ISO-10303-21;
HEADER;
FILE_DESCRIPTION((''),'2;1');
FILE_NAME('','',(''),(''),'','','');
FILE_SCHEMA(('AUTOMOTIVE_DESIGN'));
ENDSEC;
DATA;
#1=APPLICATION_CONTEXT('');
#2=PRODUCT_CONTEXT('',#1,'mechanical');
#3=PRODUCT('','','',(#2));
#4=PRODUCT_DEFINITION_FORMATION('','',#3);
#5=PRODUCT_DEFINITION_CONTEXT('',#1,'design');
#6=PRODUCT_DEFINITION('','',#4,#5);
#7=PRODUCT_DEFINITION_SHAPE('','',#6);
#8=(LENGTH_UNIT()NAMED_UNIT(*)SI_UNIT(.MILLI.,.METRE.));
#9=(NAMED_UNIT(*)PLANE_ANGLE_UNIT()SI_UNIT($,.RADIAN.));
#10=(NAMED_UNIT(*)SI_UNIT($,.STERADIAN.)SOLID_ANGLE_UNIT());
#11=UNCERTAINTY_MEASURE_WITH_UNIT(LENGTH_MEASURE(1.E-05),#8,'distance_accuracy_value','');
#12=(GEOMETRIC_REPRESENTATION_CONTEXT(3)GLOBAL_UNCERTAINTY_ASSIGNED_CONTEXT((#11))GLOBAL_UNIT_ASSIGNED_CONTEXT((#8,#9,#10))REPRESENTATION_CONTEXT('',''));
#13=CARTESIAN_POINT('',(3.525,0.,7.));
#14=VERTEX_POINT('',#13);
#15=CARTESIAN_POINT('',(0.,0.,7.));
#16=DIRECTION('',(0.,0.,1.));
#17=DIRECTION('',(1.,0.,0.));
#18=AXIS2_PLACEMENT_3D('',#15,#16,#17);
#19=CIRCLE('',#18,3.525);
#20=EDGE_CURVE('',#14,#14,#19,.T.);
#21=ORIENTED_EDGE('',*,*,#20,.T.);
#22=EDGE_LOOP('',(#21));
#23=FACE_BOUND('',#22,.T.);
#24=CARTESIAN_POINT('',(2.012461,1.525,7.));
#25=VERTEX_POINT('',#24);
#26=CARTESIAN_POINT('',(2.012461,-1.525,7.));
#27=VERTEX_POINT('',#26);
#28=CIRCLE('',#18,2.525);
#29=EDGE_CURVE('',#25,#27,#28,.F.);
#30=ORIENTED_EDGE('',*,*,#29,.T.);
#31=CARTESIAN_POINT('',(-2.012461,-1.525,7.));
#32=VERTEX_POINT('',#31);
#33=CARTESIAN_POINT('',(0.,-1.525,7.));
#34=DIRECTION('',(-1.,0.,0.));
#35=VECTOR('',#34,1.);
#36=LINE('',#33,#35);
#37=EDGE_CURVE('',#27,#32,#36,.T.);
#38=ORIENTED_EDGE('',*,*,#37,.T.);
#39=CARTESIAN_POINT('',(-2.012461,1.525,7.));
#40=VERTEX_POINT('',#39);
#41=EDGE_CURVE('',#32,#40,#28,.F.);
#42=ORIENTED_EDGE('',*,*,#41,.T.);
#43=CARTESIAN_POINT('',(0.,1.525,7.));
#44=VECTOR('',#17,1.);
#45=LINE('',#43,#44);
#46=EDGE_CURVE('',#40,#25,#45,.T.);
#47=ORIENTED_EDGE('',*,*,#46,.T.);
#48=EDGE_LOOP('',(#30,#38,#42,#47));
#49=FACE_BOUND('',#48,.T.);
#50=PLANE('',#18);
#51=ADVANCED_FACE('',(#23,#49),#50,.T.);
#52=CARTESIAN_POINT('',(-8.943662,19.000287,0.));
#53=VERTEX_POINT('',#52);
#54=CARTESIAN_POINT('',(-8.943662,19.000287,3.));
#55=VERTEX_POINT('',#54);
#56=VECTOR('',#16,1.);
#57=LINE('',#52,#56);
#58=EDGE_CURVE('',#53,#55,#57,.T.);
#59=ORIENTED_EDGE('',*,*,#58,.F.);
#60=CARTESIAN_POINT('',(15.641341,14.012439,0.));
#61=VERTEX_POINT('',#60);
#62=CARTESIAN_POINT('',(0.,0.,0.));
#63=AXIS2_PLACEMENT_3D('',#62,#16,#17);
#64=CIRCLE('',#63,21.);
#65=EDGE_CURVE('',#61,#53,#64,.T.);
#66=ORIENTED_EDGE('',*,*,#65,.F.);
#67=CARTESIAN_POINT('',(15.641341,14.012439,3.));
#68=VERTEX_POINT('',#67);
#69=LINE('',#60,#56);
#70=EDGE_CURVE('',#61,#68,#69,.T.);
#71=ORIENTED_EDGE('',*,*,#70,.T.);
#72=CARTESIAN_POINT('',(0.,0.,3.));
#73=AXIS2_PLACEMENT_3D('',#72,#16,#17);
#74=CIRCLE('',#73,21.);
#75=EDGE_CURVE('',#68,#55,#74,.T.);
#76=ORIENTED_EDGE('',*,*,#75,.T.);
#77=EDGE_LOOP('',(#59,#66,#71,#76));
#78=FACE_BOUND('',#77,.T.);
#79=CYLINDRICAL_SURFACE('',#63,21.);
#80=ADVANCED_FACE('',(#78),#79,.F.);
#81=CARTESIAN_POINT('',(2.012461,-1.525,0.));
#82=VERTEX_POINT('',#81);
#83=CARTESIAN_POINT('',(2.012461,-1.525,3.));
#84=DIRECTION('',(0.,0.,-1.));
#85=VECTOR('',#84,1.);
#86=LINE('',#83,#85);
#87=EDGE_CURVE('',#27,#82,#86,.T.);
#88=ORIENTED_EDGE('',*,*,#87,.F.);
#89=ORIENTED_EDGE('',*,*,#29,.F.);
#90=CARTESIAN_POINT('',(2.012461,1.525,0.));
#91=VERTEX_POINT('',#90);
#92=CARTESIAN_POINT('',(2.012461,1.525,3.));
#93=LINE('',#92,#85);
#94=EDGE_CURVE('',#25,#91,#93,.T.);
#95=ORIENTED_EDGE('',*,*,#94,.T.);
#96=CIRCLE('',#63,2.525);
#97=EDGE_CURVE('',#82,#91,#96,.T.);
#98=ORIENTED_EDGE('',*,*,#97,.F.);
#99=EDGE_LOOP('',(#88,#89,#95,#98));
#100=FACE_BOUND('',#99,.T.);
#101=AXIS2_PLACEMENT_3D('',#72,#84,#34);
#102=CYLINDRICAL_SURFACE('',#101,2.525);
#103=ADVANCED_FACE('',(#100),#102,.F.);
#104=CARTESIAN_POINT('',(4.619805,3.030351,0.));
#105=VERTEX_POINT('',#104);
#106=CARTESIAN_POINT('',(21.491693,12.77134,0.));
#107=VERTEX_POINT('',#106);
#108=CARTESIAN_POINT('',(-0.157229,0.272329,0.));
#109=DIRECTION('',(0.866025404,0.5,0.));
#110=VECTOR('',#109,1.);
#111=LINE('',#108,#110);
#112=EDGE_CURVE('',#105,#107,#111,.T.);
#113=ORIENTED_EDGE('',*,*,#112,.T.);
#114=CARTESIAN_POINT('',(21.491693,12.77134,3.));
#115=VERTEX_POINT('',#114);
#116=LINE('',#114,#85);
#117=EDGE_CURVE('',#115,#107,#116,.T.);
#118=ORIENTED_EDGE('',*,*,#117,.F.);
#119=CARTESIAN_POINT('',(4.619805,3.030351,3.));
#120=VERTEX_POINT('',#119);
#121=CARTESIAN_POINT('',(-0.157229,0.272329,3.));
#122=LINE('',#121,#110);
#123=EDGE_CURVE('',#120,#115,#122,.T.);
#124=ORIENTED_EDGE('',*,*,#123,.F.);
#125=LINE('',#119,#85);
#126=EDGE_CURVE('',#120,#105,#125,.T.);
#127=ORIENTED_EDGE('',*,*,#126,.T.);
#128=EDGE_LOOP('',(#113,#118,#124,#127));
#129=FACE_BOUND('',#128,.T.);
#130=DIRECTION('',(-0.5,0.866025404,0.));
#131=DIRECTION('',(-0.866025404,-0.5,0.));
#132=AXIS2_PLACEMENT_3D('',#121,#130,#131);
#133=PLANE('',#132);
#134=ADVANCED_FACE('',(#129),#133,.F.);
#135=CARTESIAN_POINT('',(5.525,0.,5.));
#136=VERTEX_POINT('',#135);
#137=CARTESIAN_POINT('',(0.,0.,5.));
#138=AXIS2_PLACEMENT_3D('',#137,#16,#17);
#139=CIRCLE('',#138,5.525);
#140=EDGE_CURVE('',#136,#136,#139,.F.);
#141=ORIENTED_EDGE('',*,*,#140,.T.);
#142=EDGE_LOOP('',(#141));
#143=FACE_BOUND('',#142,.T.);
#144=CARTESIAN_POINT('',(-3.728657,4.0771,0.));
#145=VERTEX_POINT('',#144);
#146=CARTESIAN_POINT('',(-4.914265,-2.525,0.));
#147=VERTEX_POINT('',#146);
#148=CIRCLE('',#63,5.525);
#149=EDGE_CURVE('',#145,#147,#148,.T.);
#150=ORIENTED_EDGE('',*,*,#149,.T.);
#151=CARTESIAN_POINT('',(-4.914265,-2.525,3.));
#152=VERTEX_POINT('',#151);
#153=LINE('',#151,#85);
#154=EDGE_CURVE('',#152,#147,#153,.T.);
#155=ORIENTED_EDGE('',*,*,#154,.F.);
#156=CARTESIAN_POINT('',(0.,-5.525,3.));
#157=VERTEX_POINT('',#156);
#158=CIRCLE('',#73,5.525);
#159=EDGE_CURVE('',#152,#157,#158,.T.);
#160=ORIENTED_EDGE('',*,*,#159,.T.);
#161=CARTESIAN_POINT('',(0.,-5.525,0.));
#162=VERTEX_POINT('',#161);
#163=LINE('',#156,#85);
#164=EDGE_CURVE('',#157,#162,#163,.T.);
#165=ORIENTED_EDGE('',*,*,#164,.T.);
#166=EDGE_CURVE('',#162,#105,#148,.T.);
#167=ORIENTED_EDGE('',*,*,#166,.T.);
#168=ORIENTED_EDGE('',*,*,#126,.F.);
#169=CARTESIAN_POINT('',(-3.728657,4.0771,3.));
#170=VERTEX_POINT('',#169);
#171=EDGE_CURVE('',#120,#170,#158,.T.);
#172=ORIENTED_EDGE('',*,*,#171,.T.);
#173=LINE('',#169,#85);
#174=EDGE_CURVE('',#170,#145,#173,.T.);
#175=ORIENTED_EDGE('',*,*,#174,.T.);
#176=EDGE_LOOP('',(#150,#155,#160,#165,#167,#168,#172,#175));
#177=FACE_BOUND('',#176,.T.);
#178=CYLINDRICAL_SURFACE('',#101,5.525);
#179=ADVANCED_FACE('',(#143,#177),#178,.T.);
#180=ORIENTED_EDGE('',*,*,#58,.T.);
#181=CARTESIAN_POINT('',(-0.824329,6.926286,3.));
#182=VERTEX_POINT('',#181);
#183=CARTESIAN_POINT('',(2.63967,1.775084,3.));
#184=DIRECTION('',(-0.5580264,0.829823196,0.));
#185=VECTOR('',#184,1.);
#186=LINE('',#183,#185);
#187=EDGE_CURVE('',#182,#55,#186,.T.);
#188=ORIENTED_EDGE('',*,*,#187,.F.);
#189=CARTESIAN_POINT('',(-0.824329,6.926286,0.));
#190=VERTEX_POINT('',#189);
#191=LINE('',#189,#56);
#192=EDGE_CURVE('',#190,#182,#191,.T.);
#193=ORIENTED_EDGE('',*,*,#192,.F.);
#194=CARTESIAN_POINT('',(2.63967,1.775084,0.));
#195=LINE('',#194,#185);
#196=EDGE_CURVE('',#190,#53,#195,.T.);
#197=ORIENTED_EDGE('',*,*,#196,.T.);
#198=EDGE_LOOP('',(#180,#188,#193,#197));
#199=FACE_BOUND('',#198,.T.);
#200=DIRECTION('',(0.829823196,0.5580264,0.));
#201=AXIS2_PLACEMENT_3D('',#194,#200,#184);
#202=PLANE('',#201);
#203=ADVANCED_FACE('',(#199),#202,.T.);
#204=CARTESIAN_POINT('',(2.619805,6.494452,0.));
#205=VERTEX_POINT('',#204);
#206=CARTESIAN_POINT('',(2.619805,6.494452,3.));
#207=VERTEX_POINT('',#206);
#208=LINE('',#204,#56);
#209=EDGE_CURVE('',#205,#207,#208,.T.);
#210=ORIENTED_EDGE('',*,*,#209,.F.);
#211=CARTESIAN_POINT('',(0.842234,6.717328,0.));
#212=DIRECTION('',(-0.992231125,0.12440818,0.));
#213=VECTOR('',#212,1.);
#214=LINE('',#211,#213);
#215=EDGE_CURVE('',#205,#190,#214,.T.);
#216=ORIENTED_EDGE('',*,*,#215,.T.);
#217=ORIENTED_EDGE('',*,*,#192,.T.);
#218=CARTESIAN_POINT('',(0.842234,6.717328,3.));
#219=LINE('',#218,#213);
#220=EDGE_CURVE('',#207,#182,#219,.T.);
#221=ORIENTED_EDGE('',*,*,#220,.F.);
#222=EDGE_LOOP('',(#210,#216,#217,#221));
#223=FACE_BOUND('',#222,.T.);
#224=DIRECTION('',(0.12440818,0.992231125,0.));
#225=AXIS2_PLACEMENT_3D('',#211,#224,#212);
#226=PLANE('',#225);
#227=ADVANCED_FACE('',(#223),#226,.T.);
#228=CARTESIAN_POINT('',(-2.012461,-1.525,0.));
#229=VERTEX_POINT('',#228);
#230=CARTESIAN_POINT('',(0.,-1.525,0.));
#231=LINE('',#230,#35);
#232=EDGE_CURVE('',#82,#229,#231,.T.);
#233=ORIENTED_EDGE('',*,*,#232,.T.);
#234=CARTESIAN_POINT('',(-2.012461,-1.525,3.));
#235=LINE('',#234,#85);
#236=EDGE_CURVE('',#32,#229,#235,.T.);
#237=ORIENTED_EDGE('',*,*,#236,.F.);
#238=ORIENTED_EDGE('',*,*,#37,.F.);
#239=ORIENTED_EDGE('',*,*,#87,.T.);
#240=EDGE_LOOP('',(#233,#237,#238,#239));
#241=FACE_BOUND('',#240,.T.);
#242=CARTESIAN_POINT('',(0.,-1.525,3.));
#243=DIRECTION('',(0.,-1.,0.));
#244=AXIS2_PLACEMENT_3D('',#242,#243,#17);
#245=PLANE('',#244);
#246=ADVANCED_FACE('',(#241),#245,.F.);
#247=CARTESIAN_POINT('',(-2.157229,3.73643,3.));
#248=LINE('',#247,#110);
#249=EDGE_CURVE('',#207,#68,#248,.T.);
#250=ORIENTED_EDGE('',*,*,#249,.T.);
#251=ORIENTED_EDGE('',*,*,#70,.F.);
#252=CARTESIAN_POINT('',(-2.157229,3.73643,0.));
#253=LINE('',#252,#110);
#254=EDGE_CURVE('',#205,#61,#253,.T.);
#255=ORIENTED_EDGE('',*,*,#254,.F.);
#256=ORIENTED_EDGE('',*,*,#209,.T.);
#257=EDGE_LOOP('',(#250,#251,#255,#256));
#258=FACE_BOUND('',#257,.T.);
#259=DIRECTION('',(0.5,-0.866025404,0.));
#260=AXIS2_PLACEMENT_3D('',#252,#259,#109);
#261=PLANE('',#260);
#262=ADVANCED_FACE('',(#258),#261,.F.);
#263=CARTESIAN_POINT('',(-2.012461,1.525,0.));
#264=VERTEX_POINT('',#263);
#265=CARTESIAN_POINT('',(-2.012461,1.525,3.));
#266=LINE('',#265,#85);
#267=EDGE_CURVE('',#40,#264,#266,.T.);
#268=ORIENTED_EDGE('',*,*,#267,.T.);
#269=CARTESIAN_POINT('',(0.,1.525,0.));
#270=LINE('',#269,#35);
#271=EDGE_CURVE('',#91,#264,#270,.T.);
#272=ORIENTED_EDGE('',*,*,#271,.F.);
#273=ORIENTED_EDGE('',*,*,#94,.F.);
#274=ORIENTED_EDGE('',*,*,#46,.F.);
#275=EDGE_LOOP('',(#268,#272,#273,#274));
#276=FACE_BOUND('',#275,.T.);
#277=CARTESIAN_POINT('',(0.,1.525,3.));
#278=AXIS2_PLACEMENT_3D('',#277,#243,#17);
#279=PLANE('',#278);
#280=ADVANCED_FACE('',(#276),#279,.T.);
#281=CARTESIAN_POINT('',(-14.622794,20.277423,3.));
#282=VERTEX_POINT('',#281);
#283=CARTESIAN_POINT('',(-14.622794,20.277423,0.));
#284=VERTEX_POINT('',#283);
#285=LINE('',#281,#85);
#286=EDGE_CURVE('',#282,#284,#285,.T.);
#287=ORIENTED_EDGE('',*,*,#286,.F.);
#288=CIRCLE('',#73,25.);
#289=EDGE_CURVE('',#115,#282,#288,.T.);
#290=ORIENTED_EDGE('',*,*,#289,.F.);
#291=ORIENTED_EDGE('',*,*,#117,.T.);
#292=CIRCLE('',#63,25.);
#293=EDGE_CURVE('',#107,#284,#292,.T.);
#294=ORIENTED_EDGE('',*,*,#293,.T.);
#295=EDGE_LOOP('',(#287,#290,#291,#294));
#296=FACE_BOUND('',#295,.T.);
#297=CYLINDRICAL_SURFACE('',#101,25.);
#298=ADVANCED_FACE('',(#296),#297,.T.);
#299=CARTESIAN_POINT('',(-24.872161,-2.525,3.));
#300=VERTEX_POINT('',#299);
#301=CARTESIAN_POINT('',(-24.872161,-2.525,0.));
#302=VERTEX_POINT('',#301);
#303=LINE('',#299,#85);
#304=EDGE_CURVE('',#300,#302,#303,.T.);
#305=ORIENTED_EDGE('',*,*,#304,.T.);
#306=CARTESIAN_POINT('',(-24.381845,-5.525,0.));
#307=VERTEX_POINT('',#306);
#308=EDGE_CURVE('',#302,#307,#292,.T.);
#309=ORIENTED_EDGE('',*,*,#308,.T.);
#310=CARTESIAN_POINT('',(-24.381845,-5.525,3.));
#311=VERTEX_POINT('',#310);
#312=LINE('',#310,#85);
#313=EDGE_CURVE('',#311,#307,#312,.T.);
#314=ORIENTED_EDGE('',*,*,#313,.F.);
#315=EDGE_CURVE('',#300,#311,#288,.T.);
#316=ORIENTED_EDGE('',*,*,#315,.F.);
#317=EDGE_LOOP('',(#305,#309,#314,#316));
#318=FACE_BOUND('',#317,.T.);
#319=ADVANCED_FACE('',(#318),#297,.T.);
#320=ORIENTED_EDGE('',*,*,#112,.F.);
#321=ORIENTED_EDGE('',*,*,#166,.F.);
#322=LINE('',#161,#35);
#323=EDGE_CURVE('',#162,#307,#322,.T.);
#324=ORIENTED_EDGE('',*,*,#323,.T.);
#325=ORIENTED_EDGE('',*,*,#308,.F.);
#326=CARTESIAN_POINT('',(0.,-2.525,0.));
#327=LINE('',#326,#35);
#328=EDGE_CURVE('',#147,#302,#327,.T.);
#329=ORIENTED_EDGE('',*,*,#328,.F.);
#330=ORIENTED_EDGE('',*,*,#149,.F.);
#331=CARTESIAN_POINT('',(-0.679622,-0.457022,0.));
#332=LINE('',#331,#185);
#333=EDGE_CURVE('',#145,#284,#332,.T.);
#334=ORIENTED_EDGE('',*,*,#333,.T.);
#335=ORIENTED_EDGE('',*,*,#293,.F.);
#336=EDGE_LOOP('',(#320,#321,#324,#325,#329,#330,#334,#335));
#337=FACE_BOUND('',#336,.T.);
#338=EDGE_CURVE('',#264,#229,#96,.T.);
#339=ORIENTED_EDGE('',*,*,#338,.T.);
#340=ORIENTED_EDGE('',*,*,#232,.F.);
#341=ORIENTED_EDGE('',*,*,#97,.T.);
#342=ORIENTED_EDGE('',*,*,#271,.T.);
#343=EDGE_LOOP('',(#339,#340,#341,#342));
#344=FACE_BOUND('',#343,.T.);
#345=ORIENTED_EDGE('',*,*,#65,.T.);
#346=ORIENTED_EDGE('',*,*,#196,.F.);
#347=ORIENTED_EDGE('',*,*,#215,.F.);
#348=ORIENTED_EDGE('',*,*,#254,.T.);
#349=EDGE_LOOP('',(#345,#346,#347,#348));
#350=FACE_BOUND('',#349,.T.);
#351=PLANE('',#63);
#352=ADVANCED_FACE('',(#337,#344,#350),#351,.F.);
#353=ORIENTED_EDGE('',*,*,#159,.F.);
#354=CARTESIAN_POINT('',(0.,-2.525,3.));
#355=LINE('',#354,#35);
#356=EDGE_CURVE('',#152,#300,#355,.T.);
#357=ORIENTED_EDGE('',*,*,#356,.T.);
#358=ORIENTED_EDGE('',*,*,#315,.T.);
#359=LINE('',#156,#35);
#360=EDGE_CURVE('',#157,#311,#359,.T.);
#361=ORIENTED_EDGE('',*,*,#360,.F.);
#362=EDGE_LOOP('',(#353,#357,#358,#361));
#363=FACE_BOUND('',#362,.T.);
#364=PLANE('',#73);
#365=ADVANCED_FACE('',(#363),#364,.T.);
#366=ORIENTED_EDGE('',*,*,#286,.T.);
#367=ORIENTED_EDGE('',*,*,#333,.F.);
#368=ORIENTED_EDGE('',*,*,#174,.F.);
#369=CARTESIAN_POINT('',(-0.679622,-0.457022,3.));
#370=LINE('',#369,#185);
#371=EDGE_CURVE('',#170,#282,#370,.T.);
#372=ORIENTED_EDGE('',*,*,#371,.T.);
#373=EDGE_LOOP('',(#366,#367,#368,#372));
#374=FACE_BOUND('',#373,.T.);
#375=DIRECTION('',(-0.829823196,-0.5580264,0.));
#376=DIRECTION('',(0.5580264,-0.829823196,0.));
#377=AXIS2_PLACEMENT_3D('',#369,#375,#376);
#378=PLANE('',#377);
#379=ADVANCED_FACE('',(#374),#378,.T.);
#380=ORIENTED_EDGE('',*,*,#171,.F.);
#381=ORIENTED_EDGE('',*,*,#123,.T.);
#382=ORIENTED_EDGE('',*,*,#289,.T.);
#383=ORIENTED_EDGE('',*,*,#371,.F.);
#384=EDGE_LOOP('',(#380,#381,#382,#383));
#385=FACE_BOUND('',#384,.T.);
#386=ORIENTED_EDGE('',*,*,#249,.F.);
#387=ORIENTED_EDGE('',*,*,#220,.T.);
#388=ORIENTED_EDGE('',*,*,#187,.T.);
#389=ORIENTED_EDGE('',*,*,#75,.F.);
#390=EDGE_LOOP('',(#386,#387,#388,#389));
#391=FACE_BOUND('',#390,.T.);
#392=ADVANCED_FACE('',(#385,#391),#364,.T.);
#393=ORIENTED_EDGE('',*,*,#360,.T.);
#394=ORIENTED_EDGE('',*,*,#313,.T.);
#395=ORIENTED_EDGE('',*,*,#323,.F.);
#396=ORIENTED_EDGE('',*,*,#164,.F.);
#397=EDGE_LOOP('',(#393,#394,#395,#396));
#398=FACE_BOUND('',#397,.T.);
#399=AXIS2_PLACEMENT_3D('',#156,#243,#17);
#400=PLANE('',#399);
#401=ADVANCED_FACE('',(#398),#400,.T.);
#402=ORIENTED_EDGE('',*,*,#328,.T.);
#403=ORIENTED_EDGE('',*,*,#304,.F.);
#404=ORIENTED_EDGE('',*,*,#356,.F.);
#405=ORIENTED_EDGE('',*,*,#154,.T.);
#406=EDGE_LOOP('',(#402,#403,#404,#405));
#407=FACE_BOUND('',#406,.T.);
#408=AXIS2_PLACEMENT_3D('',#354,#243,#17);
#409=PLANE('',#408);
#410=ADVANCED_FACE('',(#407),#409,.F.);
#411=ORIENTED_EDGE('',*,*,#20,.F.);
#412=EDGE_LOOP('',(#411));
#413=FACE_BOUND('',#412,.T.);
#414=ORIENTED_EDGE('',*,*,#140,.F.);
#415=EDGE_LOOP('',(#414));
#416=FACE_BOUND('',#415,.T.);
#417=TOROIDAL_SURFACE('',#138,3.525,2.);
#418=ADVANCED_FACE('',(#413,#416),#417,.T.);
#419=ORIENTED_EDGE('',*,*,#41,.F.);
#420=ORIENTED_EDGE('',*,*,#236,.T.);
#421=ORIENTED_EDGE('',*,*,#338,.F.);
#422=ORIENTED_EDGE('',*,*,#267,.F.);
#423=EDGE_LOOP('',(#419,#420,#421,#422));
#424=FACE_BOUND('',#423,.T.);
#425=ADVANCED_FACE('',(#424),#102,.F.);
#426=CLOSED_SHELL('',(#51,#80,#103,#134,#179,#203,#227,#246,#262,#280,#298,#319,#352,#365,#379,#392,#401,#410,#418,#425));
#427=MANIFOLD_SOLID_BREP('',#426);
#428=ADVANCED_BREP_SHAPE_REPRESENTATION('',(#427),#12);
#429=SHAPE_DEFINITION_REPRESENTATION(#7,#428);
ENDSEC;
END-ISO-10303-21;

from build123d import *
from build123d.topology import SkipClean

# Parameters (mm, degrees)
BOSS_EXTRUDE2_DEPTH = 3
CUT_EXTRUDE1_DEPTH  = 3
BOSS_EXTRUDE3_DEPTH = 4
FILLET1_R           = 2


with BuildPart() as part:
    # Sketch1 → Boss-Extrude2 (new body)
    with BuildSketch(Plane.XY):
        with BuildLine():
            ThreePointArc((0, -5.525), (-2.878801834, -4.715731651), (-4.91426495, -2.525))
            Line((-4.91426495, -2.525), (-24.872160642, -2.525))
            ThreePointArc((-24.872160642, -2.525), (-24.672642191, -4.032459214), (-24.381845193, -5.525))
            Line((-24.381845193, -5.525), (0, -5.525))
        make_face()
        with BuildLine():
            ThreePointArc((0, -2.525), (1.123610253, -2.261222015), (2.01246118, -1.525))
            Line((2.01246118, -1.525), (-2.01246118, -1.525))
            ThreePointArc((-2.01246118, -1.525), (-1.123610253, -2.261222015), (0, -2.525))
        make_face()
        with BuildLine():
            ThreePointArc((2.01246118, 1.525), (0, 2.525), (-2.01246118, 1.525))
            Line((-2.01246118, 1.525), (2.01246118, 1.525))
        make_face()
        with BuildLine():
            Line((-3.728656931, 4.077099765), (-2.01246118, 1.525))
            ThreePointArc((-2.01246118, 1.525), (0, 2.525), (2.01246118, 1.525))
            Line((2.01246118, 1.525), (4.61980513, 3.030350732))
            ThreePointArc((4.61980513, 3.030350732), (0.687355194, 5.482076964), (-3.728656931, 4.077099765))
        make_face()
        with BuildLine():
            ThreePointArc((0, -2.525), (-1.123610253, -2.261222015), (-2.01246118, -1.525))
            ThreePointArc((-2.01246118, -1.525), (-2.525, 0), (-2.01246118, 1.525))
            Line((-2.01246118, 1.525), (-3.728656931, 4.077099765))
            ThreePointArc((-3.728656931, 4.077099765), (-5.438010205, 0.976560297), (-4.91426495, -2.525))
            Line((-4.91426495, -2.525), (0, -2.525))
        make_face()
        with BuildLine():
            Line((0, -5.525), (0, -2.525))
            Line((0, -2.525), (-4.91426495, -2.525))
            ThreePointArc((-4.91426495, -2.525), (-2.878801834, -4.715731651), (0, -5.525))
        make_face()
        with BuildLine():
            ThreePointArc((2.525, 0), (2.39343785, -0.804412991), (2.01246118, -1.525))
            ThreePointArc((2.01246118, -1.525), (1.123610253, -2.261222015), (0, -2.525))
            Line((0, -2.525), (0, -5.525))
            ThreePointArc((0, -5.525), (3.906764966, -3.906764966), (5.525, 0))
            Line((5.525, 0), (2.525, 0))
        make_face()
        with BuildLine():
            ThreePointArc((2.01246118, 1.525), (2.39343785, 0.804412991), (2.525, 0))
            Line((2.525, 0), (5.525, 0))
            ThreePointArc((5.525, 0), (5.293866656, 1.581328817), (4.61980513, 3.030350732))
            Line((4.61980513, 3.030350732), (2.01246118, 1.525))
        make_face()
        with BuildLine():
            Line((-14.622794466, 20.277422963), (-3.728656931, 4.077099765))
            ThreePointArc((-3.728656931, 4.077099765), (0.687355194, 5.482076964), (4.61980513, 3.030350732))
            Line((4.61980513, 3.030350732), (21.491693232, 12.771339869))
            ThreePointArc((21.491693232, 12.771339869), (5.087313969, 24.476912317), (-14.622794466, 20.277422963))
        make_face()
    extrude(amount=BOSS_EXTRUDE2_DEPTH)

    # Sketch2 → Cut-Extrude1 (cut)
    with BuildSketch(Plane.XY.offset(3)):
        with BuildLine():
            Line((-8.943662301, 19.000286962), (-0.824328522, 6.926285605))
            Line((-0.824328522, 6.926285605), (2.61980513, 6.494452347))
            Line((2.61980513, 6.494452347), (15.641340759, 14.012439447))
            ThreePointArc((15.641340759, 14.012439447), (4.175449663, 20.580709903), (-8.943662301, 19.000286962))
        make_face()
    extrude(amount=-CUT_EXTRUDE1_DEPTH, mode=Mode.SUBTRACT)

    # Sketch3 → Boss-Extrude3 (add)
    with SkipClean():  # the faces are left unmerged after this step: merging them gives an invalid solid
        with BuildSketch(Plane.XY.offset(3)):
            with BuildLine():
                ThreePointArc((5.525, 0), (5.293866656, 1.581328817), (4.61980513, 3.030350732))
                ThreePointArc((4.61980513, 3.030350732), (0.687355194, 5.482076964), (-3.728656931, 4.077099765))
                ThreePointArc((-3.728656931, 4.077099765), (-5.438010205, 0.976560297), (-4.91426495, -2.525))
                ThreePointArc((-4.91426495, -2.525), (-2.878801834, -4.715731651), (0, -5.525))
                ThreePointArc((0, -5.525), (3.906764966, -3.906764966), (5.525, 0))
            make_face()
            with BuildLine():
                Line((-2.01246118, 1.525), (2.01246118, 1.525))
                ThreePointArc((2.01246118, 1.525), (2.525, 0), (2.01246118, -1.525))
                Line((2.01246118, -1.525), (-2.01246118, -1.525))
                ThreePointArc((-2.01246118, -1.525), (-2.525, 0), (-2.01246118, 1.525))
            make_face(mode=Mode.SUBTRACT)
        extrude(amount=BOSS_EXTRUDE3_DEPTH)

    # Fillet1
    fillet1_edges = [part.edges().sort_by_distance(p)[0] for p in [
        (3.728656931, -4.077099765, 7),
    ]]
    fillet(fillet1_edges, radius=FILLET1_R)


solid = part.part
